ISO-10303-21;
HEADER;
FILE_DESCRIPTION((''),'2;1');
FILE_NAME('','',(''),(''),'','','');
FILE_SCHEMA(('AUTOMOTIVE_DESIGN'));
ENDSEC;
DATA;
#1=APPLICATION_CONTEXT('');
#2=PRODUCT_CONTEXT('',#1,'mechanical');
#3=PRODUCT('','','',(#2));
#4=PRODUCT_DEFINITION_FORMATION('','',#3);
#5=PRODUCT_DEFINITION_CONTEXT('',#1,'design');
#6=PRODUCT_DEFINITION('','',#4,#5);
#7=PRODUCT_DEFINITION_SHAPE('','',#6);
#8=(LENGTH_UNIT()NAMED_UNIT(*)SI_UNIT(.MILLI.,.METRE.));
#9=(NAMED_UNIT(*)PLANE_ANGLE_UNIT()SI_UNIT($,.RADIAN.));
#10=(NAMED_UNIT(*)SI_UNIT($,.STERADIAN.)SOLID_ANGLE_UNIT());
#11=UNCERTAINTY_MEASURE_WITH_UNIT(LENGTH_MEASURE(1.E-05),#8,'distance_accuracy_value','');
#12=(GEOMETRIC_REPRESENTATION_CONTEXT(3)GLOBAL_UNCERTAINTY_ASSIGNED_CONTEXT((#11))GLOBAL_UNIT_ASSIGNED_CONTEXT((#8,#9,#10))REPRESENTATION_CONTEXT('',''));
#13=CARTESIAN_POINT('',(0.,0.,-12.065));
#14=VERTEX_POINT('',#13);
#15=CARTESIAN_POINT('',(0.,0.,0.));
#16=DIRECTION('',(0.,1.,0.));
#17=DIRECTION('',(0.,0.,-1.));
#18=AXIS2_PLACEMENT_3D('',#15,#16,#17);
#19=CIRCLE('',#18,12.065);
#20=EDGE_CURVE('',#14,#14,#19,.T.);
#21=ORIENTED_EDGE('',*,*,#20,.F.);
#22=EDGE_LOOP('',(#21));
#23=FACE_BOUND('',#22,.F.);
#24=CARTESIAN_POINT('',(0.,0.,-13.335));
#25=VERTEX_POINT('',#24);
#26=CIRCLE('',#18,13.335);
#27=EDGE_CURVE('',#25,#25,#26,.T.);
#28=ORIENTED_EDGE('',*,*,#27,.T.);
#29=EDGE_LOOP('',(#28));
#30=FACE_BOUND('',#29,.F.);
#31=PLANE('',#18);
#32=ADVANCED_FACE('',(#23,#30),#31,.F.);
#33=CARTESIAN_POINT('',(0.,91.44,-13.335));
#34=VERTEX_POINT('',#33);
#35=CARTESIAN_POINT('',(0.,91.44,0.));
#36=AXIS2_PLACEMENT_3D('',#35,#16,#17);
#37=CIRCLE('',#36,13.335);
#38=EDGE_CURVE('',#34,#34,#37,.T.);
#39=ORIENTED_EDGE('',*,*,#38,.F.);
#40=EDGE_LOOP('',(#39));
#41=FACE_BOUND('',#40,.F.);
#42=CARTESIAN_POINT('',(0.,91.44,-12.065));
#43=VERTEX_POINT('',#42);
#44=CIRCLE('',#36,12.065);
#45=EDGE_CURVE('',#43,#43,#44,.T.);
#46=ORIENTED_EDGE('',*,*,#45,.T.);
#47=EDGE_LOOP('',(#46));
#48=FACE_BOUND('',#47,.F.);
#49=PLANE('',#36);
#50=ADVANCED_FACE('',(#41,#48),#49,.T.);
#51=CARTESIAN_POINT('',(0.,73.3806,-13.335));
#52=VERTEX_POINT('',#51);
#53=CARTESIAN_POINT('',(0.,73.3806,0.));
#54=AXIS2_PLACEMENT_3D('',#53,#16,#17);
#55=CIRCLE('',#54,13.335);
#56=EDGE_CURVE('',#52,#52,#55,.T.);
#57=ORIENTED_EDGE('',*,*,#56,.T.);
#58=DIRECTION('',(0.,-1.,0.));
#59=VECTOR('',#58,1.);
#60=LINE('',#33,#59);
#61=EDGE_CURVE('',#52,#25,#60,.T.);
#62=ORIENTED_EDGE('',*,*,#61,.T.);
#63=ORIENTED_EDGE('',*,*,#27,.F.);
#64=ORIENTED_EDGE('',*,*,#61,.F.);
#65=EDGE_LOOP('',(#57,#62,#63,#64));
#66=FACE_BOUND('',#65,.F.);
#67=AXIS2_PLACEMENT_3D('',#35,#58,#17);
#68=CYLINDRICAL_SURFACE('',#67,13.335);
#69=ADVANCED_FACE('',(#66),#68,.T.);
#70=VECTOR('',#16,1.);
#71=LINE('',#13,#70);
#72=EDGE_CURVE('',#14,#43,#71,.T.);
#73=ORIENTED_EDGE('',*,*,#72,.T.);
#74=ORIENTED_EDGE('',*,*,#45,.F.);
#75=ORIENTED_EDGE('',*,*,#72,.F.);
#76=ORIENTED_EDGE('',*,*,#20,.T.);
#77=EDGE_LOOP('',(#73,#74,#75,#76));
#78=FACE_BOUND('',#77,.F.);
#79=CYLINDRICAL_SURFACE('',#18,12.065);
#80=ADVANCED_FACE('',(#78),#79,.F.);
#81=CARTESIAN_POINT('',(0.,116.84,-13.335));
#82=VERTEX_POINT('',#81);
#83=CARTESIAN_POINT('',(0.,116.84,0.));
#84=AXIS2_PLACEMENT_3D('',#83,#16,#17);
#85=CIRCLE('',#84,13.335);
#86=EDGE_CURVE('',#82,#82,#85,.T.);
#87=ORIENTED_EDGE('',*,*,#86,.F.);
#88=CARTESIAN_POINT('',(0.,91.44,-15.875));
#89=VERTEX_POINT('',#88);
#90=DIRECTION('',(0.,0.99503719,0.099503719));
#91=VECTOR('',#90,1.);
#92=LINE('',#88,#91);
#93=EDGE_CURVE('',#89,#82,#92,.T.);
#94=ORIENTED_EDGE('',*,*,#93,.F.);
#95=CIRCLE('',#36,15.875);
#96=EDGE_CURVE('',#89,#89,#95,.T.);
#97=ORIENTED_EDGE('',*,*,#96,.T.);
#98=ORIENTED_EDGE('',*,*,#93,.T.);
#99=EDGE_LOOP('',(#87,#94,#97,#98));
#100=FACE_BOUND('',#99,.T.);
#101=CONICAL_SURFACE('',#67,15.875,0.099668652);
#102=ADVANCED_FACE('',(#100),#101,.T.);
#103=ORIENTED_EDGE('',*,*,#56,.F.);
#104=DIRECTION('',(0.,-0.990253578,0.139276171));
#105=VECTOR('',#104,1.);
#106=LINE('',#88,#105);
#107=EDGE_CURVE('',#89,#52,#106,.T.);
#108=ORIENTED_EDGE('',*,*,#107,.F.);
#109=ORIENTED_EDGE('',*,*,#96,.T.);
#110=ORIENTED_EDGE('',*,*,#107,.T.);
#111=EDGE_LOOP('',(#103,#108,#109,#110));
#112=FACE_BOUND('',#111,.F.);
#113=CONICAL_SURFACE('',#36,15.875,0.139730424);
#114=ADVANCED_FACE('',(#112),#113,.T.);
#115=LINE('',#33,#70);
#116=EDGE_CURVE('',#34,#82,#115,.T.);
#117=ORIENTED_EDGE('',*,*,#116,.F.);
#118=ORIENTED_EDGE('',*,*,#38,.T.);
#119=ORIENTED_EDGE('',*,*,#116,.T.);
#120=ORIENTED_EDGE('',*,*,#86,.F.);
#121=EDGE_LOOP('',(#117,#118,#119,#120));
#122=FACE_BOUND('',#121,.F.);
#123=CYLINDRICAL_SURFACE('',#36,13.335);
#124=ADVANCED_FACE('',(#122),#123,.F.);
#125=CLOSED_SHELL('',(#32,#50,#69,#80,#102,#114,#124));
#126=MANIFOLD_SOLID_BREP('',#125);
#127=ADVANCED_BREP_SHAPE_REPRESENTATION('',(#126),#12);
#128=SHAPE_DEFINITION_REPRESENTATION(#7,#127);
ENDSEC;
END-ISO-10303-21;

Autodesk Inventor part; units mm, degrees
ref_plane "YZ Plane" through (0, 0, 0) normal (1, 0, 0) x (0, 1, 0)
ref_plane "XZ Plane" through (0, 0, 0) normal (0, 1, 0) x (-1, 0, 0)
ref_plane "XY Plane" through (0, 0, 0) normal (0, 0, 1) x (1, 0, 0)
sketch "Sketch1" plane through (0, 0, 0) normal (1, 0, 0) x (0, 1, 0)
  line L0 (0, 0) -> (0, -12.065)
  line L1 (0, -12.065) -> (91.44, -12.065)
  line L2 (91.44, -12.065) -> (91.44, -13.335)
  line L3 (91.44, -13.335) -> (0, -13.335)
  line L4 (0, -13.335) -> (0, -12.065)
  line L5 (0, 0) -> (110.5631, 0)
  line L6 (91.44, -13.335) -> (116.84, -13.335)
  line L7 (91.44, -13.335) -> (91.44, -15.875)
  line L8 (91.44, -15.875) -> (116.84, -13.335)
  line L9 (91.44, -15.875) -> (73.3806, -13.335)
  dimension "d0" = 12.065
  dimension "d1" = 91.44
  dimension "d2" = 1.27
  dimension "d3" = 25.4
  dimension "d4" = 2.54
revolve "Revolution1" add sketch "Sketch1" angle 360 about axis through (0, 0, 0) along (0, 1, 0)
properties part number "holder thingy"
